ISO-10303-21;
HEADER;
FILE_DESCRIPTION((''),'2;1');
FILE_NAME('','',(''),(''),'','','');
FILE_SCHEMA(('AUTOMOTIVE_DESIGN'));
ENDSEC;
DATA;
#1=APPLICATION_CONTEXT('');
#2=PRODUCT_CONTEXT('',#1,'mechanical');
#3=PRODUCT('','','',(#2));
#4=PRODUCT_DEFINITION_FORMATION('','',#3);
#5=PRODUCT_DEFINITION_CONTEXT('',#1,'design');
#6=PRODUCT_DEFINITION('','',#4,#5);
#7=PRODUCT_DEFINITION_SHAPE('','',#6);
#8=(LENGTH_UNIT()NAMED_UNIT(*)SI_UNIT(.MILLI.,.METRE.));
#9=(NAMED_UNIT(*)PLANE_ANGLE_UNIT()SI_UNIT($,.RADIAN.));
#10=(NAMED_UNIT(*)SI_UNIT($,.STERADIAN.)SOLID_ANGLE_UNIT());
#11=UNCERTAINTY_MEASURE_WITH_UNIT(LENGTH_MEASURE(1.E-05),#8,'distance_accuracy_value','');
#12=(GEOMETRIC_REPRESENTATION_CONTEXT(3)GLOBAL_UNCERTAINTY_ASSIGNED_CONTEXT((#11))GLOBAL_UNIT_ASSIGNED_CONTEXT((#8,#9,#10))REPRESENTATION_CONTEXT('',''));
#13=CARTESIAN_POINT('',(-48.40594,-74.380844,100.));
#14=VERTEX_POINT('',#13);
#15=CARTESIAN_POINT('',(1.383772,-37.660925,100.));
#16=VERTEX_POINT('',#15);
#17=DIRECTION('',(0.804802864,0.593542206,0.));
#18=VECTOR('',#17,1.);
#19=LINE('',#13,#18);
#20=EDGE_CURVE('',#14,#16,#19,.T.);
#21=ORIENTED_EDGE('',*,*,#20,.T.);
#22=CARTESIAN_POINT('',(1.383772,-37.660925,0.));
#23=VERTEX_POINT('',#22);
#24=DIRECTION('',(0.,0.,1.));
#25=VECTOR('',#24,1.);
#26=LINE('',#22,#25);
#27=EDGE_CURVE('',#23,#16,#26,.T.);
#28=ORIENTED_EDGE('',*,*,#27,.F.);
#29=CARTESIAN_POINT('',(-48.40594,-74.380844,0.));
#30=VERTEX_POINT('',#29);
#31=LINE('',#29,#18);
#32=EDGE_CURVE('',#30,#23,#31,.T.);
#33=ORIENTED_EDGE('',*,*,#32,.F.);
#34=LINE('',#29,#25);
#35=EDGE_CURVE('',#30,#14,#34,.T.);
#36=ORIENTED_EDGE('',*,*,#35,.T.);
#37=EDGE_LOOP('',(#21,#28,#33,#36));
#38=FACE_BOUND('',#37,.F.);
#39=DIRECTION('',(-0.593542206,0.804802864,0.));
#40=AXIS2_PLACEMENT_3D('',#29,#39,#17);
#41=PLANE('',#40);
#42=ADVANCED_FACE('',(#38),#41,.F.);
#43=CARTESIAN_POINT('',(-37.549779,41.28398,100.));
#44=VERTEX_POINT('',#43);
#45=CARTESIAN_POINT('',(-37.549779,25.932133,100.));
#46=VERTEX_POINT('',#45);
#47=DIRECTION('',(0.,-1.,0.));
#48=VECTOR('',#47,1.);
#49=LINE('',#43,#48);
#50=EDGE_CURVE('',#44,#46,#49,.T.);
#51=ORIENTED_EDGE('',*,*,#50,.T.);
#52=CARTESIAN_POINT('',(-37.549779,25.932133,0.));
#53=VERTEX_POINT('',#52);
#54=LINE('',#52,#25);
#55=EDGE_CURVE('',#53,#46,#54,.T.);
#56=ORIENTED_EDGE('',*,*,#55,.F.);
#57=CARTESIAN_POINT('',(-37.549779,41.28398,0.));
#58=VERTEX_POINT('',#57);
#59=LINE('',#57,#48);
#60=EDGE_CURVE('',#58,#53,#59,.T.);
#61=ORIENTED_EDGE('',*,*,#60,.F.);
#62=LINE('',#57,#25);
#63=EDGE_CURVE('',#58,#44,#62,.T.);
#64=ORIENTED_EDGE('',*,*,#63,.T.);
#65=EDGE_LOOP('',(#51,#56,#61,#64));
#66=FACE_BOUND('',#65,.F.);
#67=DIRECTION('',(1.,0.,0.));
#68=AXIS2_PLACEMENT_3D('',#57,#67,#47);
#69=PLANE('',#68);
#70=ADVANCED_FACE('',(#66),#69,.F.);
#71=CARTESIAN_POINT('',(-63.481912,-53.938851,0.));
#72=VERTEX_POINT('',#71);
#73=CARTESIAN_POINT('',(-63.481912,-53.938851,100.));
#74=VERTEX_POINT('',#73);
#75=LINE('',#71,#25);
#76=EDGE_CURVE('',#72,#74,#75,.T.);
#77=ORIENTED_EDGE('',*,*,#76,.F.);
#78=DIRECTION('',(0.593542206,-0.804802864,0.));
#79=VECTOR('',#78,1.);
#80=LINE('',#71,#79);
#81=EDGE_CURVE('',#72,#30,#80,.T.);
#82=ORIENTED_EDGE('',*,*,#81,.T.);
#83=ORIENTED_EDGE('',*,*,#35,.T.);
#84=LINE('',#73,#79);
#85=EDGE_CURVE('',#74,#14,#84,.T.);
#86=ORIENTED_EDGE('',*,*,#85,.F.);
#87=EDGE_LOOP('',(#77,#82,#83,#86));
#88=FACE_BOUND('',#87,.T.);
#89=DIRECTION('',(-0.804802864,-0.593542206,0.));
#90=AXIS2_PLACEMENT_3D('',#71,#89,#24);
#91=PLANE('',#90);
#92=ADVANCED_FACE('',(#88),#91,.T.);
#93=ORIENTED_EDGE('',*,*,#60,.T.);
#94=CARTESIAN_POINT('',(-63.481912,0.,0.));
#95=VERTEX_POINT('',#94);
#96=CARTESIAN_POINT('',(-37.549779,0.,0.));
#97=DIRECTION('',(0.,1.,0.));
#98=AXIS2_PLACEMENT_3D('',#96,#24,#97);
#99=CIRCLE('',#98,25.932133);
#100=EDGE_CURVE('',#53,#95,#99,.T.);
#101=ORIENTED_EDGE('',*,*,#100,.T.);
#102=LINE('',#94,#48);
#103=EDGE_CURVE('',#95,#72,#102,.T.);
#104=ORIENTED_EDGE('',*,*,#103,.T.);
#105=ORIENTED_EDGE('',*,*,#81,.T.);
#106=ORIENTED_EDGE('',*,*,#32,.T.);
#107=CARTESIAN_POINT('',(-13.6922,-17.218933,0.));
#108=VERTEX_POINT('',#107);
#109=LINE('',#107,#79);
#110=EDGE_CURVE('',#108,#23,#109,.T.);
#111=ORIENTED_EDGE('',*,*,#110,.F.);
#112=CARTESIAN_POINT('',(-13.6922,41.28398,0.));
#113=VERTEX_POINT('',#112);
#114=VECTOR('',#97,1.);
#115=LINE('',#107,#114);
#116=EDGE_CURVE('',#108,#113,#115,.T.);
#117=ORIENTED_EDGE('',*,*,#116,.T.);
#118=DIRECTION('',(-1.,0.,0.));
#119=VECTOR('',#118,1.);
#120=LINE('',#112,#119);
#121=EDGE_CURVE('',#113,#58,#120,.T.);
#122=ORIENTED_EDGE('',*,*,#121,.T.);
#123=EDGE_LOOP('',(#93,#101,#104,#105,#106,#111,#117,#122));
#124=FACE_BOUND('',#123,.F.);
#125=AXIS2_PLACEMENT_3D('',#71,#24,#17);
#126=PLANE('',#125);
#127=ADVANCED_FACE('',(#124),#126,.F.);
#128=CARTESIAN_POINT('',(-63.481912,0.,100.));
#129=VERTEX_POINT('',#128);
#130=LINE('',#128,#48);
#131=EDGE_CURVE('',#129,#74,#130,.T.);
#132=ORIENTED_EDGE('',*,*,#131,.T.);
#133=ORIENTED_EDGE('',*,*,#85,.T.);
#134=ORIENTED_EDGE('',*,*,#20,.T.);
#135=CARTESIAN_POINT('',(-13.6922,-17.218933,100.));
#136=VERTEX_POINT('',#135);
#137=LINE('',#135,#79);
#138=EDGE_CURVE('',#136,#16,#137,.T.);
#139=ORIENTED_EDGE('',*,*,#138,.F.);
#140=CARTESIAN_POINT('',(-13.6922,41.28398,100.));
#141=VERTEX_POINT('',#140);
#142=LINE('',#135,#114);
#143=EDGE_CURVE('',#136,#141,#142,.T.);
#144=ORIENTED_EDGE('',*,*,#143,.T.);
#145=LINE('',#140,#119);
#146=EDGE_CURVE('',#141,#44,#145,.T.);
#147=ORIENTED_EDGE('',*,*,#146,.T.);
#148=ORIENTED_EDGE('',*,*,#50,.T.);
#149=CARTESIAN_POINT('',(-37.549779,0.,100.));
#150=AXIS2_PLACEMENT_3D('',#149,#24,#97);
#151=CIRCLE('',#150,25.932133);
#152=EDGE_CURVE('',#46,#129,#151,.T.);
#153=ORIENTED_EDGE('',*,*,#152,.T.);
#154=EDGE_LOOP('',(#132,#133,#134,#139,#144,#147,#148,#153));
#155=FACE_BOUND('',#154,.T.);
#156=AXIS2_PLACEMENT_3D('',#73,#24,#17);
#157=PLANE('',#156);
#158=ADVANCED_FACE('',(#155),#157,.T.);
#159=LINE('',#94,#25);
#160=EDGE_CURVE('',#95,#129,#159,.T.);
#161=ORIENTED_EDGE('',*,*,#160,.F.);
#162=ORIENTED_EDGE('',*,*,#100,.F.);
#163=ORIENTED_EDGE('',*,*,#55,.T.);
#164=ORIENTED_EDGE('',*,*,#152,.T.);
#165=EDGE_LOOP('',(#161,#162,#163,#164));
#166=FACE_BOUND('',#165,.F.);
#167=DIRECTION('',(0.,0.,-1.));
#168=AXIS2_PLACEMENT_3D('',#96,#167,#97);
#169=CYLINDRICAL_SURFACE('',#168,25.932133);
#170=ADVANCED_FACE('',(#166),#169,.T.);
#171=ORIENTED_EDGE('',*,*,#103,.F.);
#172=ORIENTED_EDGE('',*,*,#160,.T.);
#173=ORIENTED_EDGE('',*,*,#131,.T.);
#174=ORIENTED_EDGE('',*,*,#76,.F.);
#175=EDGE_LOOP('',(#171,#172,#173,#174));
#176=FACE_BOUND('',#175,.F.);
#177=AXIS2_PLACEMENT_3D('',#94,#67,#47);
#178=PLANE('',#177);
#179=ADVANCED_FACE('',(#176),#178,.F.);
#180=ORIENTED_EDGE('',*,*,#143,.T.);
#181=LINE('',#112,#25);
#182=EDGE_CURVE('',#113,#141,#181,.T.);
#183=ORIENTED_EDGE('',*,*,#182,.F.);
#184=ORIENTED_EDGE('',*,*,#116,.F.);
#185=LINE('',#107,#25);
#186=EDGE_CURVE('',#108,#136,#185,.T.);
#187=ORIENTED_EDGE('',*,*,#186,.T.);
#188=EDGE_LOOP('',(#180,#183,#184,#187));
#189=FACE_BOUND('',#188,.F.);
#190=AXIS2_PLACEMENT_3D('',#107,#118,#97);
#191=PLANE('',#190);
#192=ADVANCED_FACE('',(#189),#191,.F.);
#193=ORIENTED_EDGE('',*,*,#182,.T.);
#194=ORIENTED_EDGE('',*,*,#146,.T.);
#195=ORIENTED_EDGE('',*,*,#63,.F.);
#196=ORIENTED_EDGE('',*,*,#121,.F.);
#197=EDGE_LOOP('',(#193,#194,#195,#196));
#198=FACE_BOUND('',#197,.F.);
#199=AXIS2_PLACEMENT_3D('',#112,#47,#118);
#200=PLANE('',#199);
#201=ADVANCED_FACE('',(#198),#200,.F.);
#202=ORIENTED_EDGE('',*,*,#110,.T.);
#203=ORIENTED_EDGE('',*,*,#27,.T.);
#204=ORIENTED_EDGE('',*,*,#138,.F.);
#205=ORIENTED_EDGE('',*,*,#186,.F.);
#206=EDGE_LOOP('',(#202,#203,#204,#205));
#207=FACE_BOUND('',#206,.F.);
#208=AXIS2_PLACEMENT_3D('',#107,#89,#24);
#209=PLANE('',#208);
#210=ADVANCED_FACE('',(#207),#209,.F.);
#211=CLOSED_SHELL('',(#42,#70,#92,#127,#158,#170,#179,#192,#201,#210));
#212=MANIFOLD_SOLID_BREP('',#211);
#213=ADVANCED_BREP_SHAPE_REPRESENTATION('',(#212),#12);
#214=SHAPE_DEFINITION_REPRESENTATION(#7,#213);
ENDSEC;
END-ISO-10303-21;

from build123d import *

# Parameters (mm, degrees)
F1_DEPTH = 100
F2_DEPTH = 25.4


with BuildPart() as f1:
    # F0 (on Top) → F1 (new body)
    with BuildSketch(Plane.XY):
        with BuildLine():
            Line((-63.4819120169, 0), (-63.4819120169, -53.9388507605))
            Line((-63.4819120169, -53.9388507605), (-13.6922001839, -17.2189325094))
            Line((-13.6922001839, -17.2189325094), (-13.6922001839, 41.2839800119))
            Line((-13.6922001839, 41.2839800119), (-37.5497788191, 41.2839800119))
            Line((-37.5497788191, 41.2839800119), (-37.5497788191, 25.9321331978))
            ThreePointArc((-37.5497788191, 25.9321331978), (-55.8865660539, 18.3367872348), (-63.4819120169, 0))
        make_face()
    extrude(amount=F1_DEPTH)

    # F2 (add): a face of the model
    f2_faces = [f1.faces().sort_by_distance(p)[0] for p in [
        (-38.5870561004, -35.5788916349, 50),
    ]]
    extrude(f2_faces, amount=F2_DEPTH)


solid = f1.part
